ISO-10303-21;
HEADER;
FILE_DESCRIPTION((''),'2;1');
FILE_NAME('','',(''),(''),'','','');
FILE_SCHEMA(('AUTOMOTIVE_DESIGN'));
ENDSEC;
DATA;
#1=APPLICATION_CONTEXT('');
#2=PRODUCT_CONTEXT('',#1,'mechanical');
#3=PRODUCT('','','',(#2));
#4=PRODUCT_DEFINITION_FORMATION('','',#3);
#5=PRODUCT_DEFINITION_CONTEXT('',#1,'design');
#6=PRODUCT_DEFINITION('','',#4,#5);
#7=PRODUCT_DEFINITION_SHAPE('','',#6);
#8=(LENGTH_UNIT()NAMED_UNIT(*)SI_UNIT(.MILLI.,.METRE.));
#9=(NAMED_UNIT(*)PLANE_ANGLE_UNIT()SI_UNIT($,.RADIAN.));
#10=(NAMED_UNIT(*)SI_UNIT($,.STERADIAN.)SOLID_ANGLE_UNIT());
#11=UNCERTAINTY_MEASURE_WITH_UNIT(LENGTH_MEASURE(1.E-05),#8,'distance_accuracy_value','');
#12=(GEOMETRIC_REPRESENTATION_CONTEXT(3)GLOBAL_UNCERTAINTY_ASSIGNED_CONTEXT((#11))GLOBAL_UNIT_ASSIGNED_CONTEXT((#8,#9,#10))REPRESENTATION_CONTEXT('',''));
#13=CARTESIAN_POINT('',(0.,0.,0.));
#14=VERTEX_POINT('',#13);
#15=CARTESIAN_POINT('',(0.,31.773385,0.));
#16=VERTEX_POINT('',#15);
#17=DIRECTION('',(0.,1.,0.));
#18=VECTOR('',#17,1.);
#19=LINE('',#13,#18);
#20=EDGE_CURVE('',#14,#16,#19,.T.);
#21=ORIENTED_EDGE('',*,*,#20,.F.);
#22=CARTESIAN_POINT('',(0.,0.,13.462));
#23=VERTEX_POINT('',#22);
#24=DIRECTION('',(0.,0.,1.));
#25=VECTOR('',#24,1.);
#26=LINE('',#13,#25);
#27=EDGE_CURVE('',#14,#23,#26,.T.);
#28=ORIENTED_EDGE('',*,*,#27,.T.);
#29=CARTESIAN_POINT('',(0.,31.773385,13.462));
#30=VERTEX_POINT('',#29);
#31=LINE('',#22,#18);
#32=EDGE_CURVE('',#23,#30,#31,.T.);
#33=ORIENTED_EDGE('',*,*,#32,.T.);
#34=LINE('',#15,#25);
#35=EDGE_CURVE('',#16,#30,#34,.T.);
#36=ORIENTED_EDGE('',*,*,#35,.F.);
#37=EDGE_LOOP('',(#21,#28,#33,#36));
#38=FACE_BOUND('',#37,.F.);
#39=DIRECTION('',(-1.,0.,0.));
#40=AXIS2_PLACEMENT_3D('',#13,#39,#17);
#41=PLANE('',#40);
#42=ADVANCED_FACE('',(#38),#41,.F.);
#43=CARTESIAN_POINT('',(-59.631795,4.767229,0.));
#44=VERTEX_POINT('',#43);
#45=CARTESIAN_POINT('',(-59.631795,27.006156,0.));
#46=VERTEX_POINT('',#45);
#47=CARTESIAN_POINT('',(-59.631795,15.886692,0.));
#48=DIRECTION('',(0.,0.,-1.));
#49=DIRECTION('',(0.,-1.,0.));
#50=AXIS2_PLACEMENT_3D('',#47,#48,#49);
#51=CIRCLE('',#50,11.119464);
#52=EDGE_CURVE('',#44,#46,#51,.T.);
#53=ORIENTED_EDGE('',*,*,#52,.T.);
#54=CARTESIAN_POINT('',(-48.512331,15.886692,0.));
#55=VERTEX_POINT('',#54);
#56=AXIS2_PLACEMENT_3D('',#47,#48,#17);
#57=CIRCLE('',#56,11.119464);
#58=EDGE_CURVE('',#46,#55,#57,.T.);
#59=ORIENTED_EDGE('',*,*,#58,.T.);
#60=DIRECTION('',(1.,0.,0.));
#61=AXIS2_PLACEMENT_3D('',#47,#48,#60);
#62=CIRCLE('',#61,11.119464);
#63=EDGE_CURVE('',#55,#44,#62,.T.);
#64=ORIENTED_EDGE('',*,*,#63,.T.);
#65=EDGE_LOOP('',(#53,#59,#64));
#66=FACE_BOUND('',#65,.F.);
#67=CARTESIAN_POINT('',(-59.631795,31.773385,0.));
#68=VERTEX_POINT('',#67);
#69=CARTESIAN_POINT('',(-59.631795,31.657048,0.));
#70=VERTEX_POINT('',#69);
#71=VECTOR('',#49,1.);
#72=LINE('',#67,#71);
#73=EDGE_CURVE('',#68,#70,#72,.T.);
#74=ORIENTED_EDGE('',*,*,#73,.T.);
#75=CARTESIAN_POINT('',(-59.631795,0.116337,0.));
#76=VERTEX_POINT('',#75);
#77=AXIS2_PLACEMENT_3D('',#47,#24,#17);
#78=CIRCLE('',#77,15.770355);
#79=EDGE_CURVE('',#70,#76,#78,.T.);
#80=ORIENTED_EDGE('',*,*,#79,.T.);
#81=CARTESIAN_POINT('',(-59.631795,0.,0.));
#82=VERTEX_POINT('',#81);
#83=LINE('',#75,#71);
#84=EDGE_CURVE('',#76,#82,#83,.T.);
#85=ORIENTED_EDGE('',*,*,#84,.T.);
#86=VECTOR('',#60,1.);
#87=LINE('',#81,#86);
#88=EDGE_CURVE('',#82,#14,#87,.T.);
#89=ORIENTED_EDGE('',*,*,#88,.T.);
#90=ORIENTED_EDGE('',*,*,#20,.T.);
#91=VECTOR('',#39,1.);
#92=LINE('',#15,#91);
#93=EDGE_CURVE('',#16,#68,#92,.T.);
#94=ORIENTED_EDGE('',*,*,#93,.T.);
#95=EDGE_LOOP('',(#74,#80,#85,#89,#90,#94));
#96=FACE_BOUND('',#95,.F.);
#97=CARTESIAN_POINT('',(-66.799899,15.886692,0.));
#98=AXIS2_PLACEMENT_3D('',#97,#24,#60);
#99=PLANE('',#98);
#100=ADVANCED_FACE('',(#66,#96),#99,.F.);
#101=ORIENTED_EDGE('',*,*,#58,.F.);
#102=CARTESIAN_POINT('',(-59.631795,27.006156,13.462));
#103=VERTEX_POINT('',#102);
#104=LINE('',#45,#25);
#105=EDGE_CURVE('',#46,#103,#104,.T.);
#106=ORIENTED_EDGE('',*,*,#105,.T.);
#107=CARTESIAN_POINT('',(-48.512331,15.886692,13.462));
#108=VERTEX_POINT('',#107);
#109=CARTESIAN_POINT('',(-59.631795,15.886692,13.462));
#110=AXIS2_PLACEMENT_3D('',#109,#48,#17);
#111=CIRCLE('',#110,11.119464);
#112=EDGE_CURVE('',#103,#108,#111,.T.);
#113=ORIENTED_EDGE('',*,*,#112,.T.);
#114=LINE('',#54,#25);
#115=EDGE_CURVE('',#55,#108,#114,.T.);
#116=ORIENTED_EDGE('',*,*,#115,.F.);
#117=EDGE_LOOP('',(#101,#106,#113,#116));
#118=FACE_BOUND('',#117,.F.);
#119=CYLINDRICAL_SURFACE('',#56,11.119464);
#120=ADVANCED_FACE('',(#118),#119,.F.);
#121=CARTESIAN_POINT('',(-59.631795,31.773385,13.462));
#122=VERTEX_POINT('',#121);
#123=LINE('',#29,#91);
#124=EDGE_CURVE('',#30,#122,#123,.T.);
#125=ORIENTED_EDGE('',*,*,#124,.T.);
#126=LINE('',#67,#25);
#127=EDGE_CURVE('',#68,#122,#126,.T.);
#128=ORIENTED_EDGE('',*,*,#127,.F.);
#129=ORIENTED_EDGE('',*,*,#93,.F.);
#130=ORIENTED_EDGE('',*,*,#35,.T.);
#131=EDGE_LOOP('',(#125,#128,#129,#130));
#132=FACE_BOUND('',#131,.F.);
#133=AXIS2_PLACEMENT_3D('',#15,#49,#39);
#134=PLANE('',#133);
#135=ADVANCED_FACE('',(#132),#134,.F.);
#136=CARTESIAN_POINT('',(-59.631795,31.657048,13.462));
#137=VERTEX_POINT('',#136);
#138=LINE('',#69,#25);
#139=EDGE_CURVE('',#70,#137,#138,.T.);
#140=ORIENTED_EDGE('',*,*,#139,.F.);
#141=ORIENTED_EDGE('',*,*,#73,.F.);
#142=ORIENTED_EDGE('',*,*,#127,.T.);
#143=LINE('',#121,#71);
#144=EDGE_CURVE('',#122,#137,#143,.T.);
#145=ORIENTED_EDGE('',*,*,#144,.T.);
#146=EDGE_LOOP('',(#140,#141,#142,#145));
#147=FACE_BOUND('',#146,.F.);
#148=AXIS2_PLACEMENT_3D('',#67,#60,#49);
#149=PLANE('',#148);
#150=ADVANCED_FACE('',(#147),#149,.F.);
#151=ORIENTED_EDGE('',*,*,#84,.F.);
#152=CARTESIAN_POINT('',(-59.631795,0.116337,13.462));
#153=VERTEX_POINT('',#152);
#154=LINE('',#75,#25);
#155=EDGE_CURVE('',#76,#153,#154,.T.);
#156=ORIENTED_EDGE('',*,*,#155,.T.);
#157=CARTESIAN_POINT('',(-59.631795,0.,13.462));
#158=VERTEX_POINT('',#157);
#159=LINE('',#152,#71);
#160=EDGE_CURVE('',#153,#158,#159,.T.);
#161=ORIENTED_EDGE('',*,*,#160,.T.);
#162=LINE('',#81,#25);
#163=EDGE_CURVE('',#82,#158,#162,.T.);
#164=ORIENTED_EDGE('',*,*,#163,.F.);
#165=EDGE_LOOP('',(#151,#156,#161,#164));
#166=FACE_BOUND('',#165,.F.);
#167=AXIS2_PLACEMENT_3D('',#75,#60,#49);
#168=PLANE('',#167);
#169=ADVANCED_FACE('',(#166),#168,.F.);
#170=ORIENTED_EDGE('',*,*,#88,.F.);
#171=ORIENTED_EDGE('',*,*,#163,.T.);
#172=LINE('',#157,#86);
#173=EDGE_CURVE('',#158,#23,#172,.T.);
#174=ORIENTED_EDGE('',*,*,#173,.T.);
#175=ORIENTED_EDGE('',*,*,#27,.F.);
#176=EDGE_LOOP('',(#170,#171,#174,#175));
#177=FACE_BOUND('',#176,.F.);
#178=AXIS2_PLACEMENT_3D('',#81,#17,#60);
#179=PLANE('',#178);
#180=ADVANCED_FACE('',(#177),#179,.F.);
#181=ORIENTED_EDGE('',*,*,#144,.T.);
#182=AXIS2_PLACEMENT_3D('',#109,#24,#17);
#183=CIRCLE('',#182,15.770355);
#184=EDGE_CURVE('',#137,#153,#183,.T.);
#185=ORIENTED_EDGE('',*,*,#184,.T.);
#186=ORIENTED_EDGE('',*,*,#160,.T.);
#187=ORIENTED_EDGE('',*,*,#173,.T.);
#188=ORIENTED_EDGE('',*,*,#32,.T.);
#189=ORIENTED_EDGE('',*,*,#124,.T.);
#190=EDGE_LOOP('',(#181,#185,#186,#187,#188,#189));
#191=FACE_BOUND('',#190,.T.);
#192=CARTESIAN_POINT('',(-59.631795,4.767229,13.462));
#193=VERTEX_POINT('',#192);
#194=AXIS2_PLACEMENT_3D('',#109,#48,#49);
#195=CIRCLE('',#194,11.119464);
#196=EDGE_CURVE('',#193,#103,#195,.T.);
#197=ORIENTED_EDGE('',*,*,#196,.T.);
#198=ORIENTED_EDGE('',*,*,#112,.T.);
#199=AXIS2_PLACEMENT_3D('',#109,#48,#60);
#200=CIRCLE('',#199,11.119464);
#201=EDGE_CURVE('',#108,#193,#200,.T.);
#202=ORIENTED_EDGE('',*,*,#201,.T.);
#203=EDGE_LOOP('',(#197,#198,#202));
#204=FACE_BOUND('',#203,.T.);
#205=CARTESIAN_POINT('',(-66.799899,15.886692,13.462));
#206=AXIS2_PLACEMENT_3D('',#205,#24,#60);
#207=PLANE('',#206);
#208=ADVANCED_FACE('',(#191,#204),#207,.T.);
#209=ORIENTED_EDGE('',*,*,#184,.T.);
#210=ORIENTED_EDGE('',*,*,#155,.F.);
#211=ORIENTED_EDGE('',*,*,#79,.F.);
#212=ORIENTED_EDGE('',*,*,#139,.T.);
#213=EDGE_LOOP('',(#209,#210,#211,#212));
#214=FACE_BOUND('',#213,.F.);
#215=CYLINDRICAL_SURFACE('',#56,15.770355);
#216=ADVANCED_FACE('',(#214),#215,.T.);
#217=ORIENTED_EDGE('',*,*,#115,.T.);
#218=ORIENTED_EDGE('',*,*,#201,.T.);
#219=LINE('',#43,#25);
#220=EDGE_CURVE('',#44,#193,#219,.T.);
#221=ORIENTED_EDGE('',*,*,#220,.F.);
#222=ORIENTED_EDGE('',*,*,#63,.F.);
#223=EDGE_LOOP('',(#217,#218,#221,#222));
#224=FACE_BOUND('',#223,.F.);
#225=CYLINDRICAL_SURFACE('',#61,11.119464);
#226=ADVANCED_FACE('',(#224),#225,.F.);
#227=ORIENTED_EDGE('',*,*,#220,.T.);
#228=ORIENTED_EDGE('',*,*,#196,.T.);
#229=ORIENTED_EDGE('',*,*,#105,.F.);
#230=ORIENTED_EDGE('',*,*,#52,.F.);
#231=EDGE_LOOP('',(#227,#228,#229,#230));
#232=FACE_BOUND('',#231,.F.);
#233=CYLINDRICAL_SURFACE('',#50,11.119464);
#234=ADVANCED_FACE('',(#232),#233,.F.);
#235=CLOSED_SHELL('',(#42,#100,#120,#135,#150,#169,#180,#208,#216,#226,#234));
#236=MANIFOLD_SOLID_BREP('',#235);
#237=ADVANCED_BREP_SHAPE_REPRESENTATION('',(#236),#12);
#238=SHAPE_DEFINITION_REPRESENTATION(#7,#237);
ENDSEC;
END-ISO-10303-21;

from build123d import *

# Parameters (mm, degrees)
F1_DEPTH = 13.462


with BuildPart() as f1:
    # F0 (on Top) → F1 (new body)
    with BuildSketch(Plane.XY):
        with BuildLine():
            ThreePointArc((-59.6317946911, 31.657047675), (-75.4021500358, 15.8866923302), (-59.6317946911, 0.1163369855))
            Line((-59.6317946911, 0.1163369855), (-59.6317946911, 4.7672285812))
            ThreePointArc((-59.6317946911, 4.7672285812), (-70.7512584401, 15.8866923302), (-59.6317946911, 27.0061560793))
            Line((-59.6317946911, 27.0061560793), (-59.6317946911, 31.657047675))
        make_face()
        with BuildLine():
            Line((-59.6317946911, 4.7672285812), (-59.6317946911, 0.1163369855))
            ThreePointArc((-59.6317946911, 0.1163369855), (-48.4804694851, 4.7353671243), (-43.8614393464, 15.8866923302))
            ThreePointArc((-43.8614393464, 15.8866923302), (-48.4804694851, 27.0380175362), (-59.6317946911, 31.657047675))
            Line((-59.6317946911, 31.657047675), (-59.6317946911, 27.0061560793))
            ThreePointArc((-59.6317946911, 27.0061560793), (-51.769146471, 23.7493405504), (-48.512330942, 15.8866923302))
            ThreePointArc((-48.512330942, 15.8866923302), (-51.769146471, 8.0240441101), (-59.6317946911, 4.7672285812))
        make_face()
        with BuildLine():
            Line((-59.6317946911, 0), (0, 0))
            Line((0, 0), (0, 31.7733846605))
            Line((0, 31.7733846605), (-59.6317946911, 31.7733846605))
            Line((-59.6317946911, 31.7733846605), (-59.6317946911, 31.657047675))
            ThreePointArc((-59.6317946911, 31.657047675), (-48.4804694851, 27.0380175362), (-43.8614393464, 15.8866923302))
            ThreePointArc((-43.8614393464, 15.8866923302), (-48.4804694851, 4.7353671243), (-59.6317946911, 0.1163369855))
            Line((-59.6317946911, 0.1163369855), (-59.6317946911, 0))
        make_face()
    extrude(amount=F1_DEPTH)


solid = f1.part
